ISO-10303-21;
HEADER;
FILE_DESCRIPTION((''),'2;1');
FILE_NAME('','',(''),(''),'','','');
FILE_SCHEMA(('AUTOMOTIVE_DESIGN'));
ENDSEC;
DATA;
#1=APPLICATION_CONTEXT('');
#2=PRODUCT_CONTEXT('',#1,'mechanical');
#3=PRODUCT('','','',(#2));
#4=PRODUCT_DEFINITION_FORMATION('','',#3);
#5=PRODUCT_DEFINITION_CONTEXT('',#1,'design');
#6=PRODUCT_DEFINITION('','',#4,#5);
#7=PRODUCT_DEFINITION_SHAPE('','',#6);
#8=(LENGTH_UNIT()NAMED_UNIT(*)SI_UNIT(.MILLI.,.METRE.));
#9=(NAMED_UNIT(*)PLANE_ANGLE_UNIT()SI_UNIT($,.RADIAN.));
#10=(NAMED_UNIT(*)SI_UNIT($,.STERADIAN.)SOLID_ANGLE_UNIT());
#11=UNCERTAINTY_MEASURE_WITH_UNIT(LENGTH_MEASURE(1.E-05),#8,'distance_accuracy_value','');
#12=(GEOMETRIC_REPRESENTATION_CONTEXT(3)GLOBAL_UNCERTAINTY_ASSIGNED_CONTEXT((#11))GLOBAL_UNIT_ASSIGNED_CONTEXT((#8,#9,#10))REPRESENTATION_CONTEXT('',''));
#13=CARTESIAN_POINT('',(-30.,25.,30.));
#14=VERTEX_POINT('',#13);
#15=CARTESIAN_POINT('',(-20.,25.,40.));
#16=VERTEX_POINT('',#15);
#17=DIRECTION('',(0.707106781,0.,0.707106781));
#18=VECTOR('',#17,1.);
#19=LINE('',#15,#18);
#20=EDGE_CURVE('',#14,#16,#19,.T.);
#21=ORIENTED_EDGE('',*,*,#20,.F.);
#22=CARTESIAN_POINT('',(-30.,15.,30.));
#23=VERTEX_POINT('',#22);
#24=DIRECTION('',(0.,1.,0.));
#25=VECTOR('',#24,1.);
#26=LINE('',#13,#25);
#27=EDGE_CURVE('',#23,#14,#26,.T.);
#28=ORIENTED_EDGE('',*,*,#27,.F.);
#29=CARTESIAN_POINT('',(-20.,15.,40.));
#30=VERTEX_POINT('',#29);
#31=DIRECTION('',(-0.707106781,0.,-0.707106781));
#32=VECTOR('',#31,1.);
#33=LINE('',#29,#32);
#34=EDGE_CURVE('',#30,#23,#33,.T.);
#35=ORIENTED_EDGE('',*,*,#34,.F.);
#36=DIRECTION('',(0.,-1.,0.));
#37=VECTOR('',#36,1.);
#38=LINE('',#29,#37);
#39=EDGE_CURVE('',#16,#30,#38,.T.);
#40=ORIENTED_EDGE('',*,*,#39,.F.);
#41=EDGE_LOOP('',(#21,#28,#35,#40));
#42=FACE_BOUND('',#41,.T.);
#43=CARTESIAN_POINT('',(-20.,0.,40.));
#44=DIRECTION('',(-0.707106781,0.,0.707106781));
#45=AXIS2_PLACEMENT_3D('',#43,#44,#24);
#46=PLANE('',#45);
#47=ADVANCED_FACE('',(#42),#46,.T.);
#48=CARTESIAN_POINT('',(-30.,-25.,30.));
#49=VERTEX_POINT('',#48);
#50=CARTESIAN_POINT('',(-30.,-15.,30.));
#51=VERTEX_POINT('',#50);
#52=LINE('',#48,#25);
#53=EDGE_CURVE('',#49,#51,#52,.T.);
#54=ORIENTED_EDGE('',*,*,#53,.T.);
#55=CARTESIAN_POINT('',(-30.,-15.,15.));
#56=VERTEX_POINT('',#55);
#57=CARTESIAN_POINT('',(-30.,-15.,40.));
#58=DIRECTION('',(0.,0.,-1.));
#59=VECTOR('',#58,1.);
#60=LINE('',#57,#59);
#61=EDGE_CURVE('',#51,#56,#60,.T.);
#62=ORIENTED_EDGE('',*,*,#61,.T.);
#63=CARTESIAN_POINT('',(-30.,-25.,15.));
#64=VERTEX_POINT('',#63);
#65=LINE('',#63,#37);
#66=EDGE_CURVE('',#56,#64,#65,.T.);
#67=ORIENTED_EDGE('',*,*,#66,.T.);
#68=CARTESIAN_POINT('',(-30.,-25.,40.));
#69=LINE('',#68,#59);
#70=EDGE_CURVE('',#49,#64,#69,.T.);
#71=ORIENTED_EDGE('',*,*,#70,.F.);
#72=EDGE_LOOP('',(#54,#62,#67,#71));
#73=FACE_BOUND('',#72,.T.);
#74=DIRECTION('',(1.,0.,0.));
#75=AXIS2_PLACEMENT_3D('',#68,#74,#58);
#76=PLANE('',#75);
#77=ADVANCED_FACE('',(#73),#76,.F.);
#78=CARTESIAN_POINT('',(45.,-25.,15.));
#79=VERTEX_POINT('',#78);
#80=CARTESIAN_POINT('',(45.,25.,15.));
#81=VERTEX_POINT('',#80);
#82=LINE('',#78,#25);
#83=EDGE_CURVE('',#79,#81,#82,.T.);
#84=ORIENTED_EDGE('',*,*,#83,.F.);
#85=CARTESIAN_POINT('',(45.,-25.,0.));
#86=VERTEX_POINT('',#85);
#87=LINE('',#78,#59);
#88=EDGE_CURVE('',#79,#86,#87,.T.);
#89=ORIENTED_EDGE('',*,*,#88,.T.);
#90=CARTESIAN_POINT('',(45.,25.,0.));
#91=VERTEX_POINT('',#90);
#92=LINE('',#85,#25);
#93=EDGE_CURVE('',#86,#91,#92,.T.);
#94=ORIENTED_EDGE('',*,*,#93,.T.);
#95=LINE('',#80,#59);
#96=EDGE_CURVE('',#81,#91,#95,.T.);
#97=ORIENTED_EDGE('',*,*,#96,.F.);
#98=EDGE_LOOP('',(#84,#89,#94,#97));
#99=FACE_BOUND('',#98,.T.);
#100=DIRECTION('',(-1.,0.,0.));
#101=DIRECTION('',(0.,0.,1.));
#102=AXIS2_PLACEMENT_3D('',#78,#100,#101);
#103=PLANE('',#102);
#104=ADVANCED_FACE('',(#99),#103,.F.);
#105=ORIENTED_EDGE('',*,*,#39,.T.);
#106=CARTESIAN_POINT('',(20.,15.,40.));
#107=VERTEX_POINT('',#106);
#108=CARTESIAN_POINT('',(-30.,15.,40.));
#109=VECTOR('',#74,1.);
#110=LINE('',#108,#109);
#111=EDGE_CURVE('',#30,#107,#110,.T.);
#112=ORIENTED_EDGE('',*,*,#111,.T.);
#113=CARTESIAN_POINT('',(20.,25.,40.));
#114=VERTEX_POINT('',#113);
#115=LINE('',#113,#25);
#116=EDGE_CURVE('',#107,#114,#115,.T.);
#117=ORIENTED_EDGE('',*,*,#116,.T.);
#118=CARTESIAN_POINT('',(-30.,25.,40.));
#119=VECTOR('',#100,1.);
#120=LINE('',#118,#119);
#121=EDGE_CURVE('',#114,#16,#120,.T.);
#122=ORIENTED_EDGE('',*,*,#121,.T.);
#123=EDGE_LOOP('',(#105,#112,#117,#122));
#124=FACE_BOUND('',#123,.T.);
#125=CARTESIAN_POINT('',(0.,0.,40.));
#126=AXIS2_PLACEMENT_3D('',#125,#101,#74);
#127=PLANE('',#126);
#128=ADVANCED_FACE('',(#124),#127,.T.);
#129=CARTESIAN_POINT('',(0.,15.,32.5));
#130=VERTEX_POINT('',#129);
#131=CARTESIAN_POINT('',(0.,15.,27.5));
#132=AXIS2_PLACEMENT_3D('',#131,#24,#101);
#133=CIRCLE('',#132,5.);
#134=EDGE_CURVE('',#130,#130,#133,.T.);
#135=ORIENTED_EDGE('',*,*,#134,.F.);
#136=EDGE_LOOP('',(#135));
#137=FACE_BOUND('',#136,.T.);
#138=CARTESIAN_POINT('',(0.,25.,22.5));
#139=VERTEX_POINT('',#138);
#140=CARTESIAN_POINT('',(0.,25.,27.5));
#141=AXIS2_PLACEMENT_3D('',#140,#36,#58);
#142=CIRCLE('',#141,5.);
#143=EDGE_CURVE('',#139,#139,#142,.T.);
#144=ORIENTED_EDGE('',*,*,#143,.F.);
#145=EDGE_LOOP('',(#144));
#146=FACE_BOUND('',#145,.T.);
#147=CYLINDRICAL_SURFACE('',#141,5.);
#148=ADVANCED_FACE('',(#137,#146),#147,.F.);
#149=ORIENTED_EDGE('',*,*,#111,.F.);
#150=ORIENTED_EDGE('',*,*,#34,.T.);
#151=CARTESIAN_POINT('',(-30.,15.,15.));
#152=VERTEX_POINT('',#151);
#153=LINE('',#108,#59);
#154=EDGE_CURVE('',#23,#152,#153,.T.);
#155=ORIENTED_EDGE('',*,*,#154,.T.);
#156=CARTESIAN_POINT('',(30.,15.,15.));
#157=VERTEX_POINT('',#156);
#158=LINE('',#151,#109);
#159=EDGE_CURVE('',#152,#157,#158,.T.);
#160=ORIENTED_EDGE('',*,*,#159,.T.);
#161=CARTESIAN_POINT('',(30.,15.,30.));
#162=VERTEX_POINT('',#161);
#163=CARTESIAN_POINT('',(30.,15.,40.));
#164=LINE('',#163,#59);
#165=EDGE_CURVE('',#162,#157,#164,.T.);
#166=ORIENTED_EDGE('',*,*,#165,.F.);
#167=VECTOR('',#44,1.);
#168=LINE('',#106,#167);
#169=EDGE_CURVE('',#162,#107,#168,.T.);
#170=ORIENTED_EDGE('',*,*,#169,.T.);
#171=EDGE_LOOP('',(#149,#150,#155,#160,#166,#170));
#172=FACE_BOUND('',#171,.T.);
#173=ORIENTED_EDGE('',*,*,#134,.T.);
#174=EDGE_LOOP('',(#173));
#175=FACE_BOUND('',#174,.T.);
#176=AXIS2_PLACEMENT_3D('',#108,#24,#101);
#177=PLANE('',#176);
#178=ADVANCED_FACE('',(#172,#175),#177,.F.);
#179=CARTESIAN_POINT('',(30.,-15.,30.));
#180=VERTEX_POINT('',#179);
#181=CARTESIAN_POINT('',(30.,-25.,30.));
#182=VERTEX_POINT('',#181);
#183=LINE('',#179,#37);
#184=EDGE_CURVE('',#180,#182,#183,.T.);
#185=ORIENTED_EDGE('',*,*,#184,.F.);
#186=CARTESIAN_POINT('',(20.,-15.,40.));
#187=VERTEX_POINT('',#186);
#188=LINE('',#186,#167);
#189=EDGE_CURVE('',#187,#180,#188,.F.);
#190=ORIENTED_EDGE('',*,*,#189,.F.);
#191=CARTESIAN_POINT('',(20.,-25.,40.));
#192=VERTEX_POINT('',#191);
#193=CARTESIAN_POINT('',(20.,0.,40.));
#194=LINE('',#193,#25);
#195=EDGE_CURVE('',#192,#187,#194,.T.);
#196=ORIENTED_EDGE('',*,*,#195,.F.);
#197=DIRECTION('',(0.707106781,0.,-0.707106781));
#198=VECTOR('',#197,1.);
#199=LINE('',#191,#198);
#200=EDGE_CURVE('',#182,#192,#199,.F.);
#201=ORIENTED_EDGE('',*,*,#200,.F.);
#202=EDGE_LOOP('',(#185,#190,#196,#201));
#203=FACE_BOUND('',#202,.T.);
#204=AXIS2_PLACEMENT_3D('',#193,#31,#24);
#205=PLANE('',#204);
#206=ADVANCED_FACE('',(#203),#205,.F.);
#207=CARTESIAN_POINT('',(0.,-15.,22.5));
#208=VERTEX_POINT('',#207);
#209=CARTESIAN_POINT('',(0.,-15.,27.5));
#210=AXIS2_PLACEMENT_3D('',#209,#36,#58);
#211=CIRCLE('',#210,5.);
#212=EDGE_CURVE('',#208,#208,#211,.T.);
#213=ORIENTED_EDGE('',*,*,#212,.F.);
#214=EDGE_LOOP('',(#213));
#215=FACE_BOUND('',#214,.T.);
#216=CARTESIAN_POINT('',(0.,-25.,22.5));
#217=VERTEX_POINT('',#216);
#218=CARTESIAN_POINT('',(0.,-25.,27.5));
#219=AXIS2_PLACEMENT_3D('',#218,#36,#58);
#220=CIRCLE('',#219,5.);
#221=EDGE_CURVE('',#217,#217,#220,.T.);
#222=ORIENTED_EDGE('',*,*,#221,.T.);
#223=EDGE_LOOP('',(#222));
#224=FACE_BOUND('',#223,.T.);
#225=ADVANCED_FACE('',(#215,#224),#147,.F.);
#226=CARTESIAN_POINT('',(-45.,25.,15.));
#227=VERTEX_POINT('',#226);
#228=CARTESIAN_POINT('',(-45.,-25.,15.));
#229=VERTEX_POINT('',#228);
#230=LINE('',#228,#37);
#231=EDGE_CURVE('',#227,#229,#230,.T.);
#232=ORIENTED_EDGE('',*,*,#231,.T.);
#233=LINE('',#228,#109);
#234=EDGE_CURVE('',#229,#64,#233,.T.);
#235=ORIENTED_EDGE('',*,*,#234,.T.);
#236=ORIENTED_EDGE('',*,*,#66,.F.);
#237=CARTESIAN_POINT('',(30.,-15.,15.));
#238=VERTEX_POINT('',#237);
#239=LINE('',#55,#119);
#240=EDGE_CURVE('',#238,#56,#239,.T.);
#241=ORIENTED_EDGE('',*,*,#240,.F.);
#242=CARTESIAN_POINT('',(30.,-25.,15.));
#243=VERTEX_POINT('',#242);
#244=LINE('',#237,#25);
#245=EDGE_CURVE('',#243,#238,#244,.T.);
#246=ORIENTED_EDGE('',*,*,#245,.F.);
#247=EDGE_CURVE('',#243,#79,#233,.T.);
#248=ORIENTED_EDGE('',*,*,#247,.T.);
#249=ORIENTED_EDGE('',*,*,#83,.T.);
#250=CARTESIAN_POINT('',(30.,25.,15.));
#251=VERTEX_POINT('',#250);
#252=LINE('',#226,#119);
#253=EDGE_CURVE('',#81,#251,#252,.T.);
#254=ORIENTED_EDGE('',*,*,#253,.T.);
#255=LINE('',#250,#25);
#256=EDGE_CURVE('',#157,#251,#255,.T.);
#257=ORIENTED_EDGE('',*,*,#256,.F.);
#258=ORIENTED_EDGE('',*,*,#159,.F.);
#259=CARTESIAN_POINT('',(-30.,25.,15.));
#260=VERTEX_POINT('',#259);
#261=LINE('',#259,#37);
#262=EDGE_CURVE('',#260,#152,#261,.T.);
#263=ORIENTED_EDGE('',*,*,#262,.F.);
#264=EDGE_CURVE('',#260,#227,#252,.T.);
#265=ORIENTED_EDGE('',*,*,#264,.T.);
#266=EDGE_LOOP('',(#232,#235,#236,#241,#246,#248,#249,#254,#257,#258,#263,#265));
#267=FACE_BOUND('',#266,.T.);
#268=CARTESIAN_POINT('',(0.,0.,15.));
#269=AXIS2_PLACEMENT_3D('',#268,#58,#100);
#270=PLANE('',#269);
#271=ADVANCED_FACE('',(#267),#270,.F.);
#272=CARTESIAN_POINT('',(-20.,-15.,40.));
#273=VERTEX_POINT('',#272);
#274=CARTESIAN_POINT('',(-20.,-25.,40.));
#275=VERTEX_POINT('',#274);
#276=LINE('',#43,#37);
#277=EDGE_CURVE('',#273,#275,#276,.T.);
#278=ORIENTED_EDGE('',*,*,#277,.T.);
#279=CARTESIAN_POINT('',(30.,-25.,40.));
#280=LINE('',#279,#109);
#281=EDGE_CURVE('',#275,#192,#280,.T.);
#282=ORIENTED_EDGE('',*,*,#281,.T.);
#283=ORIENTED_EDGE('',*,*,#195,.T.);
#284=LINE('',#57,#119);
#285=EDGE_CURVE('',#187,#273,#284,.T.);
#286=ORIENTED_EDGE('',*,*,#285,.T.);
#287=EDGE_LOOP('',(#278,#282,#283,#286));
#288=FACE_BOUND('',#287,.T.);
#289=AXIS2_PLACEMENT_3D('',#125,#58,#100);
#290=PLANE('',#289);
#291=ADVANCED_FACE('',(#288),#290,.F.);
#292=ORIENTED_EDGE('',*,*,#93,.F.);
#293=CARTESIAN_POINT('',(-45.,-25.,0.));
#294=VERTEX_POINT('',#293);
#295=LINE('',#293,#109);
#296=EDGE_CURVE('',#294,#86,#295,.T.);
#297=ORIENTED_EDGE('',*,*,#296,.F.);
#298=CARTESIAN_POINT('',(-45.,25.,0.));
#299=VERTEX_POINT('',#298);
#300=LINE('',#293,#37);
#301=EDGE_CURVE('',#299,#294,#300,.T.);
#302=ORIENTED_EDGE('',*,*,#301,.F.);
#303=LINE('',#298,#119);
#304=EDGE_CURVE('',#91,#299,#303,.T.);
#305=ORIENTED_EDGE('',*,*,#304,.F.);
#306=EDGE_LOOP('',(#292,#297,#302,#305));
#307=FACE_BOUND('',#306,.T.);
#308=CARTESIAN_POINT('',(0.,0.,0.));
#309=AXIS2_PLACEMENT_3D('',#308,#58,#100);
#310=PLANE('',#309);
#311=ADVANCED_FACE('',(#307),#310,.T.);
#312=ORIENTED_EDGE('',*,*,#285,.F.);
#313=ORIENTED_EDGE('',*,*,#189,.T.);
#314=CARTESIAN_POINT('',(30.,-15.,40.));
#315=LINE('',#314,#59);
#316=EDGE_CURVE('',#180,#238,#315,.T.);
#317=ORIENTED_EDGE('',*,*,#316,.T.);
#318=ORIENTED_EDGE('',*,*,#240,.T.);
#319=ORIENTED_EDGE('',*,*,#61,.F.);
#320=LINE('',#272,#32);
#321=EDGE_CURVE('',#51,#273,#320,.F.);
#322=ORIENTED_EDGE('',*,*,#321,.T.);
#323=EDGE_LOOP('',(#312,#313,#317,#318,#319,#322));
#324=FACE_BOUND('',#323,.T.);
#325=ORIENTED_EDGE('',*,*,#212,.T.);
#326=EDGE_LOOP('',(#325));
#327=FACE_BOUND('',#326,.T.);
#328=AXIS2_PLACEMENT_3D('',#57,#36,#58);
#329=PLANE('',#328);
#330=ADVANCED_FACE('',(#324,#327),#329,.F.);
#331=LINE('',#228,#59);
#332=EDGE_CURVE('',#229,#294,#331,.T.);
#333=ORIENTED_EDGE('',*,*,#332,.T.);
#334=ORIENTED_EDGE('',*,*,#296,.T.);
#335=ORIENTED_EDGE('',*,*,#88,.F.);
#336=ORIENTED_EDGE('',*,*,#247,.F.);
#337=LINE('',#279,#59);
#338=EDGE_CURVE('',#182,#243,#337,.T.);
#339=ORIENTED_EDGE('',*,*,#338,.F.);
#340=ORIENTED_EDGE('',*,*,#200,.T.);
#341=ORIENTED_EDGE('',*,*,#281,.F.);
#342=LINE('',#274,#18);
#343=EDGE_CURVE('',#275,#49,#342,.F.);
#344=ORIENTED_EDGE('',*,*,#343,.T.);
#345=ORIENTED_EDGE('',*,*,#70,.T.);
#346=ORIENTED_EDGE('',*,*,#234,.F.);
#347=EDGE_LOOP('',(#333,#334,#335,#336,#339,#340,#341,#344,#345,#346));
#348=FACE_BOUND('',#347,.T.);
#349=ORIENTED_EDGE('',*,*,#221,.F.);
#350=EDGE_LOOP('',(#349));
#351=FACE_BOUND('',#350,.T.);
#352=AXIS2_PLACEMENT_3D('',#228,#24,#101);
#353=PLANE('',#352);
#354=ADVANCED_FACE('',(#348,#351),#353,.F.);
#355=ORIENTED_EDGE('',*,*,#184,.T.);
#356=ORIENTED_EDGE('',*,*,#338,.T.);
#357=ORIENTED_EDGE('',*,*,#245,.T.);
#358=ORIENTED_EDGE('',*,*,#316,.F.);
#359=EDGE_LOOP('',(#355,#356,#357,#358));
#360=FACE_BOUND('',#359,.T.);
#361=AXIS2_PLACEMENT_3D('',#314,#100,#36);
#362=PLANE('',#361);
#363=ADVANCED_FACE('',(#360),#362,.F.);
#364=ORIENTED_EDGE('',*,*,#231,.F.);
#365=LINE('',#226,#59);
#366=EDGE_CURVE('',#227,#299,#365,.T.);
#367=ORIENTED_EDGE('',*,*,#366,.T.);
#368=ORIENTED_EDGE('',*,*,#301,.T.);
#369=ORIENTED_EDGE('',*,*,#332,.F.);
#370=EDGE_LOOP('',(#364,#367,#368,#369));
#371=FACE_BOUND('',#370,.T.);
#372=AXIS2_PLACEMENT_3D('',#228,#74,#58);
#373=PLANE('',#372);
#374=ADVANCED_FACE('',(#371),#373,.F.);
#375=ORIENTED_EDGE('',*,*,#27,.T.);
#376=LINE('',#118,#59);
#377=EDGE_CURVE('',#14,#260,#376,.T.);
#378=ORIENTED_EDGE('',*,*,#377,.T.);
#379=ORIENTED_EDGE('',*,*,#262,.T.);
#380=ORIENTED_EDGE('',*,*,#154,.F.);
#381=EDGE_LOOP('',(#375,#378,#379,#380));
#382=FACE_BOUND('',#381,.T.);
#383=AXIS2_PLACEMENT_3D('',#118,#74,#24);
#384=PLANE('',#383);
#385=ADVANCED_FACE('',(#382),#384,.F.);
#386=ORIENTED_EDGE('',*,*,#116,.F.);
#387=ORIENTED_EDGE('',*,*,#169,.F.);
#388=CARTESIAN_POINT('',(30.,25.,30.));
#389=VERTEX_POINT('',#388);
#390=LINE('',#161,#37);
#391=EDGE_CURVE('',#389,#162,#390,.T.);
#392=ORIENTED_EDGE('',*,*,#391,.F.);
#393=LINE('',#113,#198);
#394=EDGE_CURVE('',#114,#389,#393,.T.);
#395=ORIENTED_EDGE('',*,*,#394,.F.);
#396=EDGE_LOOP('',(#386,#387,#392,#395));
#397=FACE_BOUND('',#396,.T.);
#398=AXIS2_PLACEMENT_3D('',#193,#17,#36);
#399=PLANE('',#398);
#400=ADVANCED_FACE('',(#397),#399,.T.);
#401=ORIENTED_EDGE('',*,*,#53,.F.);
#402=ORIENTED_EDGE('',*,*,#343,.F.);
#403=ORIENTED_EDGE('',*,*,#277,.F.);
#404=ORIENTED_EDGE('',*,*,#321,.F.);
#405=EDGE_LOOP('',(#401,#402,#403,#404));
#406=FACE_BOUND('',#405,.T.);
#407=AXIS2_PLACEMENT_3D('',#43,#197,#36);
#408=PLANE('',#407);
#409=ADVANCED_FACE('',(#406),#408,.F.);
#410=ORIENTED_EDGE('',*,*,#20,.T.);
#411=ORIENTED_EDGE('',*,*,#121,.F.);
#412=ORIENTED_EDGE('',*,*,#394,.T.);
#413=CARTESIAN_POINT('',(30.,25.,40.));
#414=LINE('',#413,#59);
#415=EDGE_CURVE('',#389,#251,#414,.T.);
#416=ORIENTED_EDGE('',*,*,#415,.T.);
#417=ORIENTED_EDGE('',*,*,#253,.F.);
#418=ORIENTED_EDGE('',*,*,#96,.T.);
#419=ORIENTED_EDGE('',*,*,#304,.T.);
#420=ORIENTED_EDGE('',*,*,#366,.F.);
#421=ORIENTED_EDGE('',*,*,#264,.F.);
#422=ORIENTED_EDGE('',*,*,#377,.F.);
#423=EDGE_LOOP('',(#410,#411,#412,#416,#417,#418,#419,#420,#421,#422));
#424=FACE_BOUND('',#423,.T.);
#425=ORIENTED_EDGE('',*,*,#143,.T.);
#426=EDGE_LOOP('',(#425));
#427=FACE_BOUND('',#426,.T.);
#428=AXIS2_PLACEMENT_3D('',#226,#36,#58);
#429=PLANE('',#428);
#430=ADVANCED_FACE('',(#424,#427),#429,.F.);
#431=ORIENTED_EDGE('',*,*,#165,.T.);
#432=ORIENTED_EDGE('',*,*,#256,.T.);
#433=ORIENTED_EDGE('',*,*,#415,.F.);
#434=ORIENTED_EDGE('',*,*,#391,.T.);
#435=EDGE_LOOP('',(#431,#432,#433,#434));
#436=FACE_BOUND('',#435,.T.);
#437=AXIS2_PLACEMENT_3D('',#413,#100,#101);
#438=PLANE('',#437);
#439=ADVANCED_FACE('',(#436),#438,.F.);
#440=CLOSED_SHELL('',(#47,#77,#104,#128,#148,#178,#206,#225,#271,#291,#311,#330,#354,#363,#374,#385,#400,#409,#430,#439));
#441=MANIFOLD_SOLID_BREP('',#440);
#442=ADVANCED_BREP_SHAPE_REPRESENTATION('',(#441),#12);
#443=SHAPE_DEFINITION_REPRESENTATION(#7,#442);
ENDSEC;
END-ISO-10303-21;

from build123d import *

# Parameters (mm, degrees)
SKETCH3_W           = 90
SKETCH3_H           = 50
BOSS_EXTRUDE4_DEPTH = 15
SKETCH4_W           = 60
SKETCH4_H           = 10
BOSS_EXTRUDE5_DEPTH = 25
SKETCH5_R           = 5
CUT_EXTRUDE1_DEPTH  = 79.262379212
FILLET1_SIZE        = 10


with BuildPart() as part:
    # Sketch3 → Boss-Extrude4 (new body)
    with BuildSketch(Plane.XY):
        Rectangle(SKETCH3_W, SKETCH3_H)
    extrude(amount=BOSS_EXTRUDE4_DEPTH)

    # Sketch4 → Boss-Extrude5 (add)
    with BuildSketch(Plane.XY.offset(15)):
        with Locations((0, 20)):
            Rectangle(SKETCH4_W, SKETCH4_H)
        with Locations((0, -20)):
            Rectangle(SKETCH4_W, SKETCH4_H)
    extrude(amount=BOSS_EXTRUDE5_DEPTH)

    # Sketch5 → Cut-Extrude1 (cut, through all)
    with BuildSketch(Plane.XZ.offset(25)):
        with Locations(Location((0, 27.5, 0), (0, 0, 270))):
            Circle(SKETCH5_R)
    extrude(amount=-CUT_EXTRUDE1_DEPTH, mode=Mode.SUBTRACT)

    # Fillet1
    fillet1_edges = [part.edges().sort_by_distance(p)[0] for p in [
        (-30, 20, 40),
        (30, 20, 40),
        (30, -20, 40),
        (-30, -20, 40),
    ]]
    chamfer(fillet1_edges, length=FILLET1_SIZE)


solid = part.part
